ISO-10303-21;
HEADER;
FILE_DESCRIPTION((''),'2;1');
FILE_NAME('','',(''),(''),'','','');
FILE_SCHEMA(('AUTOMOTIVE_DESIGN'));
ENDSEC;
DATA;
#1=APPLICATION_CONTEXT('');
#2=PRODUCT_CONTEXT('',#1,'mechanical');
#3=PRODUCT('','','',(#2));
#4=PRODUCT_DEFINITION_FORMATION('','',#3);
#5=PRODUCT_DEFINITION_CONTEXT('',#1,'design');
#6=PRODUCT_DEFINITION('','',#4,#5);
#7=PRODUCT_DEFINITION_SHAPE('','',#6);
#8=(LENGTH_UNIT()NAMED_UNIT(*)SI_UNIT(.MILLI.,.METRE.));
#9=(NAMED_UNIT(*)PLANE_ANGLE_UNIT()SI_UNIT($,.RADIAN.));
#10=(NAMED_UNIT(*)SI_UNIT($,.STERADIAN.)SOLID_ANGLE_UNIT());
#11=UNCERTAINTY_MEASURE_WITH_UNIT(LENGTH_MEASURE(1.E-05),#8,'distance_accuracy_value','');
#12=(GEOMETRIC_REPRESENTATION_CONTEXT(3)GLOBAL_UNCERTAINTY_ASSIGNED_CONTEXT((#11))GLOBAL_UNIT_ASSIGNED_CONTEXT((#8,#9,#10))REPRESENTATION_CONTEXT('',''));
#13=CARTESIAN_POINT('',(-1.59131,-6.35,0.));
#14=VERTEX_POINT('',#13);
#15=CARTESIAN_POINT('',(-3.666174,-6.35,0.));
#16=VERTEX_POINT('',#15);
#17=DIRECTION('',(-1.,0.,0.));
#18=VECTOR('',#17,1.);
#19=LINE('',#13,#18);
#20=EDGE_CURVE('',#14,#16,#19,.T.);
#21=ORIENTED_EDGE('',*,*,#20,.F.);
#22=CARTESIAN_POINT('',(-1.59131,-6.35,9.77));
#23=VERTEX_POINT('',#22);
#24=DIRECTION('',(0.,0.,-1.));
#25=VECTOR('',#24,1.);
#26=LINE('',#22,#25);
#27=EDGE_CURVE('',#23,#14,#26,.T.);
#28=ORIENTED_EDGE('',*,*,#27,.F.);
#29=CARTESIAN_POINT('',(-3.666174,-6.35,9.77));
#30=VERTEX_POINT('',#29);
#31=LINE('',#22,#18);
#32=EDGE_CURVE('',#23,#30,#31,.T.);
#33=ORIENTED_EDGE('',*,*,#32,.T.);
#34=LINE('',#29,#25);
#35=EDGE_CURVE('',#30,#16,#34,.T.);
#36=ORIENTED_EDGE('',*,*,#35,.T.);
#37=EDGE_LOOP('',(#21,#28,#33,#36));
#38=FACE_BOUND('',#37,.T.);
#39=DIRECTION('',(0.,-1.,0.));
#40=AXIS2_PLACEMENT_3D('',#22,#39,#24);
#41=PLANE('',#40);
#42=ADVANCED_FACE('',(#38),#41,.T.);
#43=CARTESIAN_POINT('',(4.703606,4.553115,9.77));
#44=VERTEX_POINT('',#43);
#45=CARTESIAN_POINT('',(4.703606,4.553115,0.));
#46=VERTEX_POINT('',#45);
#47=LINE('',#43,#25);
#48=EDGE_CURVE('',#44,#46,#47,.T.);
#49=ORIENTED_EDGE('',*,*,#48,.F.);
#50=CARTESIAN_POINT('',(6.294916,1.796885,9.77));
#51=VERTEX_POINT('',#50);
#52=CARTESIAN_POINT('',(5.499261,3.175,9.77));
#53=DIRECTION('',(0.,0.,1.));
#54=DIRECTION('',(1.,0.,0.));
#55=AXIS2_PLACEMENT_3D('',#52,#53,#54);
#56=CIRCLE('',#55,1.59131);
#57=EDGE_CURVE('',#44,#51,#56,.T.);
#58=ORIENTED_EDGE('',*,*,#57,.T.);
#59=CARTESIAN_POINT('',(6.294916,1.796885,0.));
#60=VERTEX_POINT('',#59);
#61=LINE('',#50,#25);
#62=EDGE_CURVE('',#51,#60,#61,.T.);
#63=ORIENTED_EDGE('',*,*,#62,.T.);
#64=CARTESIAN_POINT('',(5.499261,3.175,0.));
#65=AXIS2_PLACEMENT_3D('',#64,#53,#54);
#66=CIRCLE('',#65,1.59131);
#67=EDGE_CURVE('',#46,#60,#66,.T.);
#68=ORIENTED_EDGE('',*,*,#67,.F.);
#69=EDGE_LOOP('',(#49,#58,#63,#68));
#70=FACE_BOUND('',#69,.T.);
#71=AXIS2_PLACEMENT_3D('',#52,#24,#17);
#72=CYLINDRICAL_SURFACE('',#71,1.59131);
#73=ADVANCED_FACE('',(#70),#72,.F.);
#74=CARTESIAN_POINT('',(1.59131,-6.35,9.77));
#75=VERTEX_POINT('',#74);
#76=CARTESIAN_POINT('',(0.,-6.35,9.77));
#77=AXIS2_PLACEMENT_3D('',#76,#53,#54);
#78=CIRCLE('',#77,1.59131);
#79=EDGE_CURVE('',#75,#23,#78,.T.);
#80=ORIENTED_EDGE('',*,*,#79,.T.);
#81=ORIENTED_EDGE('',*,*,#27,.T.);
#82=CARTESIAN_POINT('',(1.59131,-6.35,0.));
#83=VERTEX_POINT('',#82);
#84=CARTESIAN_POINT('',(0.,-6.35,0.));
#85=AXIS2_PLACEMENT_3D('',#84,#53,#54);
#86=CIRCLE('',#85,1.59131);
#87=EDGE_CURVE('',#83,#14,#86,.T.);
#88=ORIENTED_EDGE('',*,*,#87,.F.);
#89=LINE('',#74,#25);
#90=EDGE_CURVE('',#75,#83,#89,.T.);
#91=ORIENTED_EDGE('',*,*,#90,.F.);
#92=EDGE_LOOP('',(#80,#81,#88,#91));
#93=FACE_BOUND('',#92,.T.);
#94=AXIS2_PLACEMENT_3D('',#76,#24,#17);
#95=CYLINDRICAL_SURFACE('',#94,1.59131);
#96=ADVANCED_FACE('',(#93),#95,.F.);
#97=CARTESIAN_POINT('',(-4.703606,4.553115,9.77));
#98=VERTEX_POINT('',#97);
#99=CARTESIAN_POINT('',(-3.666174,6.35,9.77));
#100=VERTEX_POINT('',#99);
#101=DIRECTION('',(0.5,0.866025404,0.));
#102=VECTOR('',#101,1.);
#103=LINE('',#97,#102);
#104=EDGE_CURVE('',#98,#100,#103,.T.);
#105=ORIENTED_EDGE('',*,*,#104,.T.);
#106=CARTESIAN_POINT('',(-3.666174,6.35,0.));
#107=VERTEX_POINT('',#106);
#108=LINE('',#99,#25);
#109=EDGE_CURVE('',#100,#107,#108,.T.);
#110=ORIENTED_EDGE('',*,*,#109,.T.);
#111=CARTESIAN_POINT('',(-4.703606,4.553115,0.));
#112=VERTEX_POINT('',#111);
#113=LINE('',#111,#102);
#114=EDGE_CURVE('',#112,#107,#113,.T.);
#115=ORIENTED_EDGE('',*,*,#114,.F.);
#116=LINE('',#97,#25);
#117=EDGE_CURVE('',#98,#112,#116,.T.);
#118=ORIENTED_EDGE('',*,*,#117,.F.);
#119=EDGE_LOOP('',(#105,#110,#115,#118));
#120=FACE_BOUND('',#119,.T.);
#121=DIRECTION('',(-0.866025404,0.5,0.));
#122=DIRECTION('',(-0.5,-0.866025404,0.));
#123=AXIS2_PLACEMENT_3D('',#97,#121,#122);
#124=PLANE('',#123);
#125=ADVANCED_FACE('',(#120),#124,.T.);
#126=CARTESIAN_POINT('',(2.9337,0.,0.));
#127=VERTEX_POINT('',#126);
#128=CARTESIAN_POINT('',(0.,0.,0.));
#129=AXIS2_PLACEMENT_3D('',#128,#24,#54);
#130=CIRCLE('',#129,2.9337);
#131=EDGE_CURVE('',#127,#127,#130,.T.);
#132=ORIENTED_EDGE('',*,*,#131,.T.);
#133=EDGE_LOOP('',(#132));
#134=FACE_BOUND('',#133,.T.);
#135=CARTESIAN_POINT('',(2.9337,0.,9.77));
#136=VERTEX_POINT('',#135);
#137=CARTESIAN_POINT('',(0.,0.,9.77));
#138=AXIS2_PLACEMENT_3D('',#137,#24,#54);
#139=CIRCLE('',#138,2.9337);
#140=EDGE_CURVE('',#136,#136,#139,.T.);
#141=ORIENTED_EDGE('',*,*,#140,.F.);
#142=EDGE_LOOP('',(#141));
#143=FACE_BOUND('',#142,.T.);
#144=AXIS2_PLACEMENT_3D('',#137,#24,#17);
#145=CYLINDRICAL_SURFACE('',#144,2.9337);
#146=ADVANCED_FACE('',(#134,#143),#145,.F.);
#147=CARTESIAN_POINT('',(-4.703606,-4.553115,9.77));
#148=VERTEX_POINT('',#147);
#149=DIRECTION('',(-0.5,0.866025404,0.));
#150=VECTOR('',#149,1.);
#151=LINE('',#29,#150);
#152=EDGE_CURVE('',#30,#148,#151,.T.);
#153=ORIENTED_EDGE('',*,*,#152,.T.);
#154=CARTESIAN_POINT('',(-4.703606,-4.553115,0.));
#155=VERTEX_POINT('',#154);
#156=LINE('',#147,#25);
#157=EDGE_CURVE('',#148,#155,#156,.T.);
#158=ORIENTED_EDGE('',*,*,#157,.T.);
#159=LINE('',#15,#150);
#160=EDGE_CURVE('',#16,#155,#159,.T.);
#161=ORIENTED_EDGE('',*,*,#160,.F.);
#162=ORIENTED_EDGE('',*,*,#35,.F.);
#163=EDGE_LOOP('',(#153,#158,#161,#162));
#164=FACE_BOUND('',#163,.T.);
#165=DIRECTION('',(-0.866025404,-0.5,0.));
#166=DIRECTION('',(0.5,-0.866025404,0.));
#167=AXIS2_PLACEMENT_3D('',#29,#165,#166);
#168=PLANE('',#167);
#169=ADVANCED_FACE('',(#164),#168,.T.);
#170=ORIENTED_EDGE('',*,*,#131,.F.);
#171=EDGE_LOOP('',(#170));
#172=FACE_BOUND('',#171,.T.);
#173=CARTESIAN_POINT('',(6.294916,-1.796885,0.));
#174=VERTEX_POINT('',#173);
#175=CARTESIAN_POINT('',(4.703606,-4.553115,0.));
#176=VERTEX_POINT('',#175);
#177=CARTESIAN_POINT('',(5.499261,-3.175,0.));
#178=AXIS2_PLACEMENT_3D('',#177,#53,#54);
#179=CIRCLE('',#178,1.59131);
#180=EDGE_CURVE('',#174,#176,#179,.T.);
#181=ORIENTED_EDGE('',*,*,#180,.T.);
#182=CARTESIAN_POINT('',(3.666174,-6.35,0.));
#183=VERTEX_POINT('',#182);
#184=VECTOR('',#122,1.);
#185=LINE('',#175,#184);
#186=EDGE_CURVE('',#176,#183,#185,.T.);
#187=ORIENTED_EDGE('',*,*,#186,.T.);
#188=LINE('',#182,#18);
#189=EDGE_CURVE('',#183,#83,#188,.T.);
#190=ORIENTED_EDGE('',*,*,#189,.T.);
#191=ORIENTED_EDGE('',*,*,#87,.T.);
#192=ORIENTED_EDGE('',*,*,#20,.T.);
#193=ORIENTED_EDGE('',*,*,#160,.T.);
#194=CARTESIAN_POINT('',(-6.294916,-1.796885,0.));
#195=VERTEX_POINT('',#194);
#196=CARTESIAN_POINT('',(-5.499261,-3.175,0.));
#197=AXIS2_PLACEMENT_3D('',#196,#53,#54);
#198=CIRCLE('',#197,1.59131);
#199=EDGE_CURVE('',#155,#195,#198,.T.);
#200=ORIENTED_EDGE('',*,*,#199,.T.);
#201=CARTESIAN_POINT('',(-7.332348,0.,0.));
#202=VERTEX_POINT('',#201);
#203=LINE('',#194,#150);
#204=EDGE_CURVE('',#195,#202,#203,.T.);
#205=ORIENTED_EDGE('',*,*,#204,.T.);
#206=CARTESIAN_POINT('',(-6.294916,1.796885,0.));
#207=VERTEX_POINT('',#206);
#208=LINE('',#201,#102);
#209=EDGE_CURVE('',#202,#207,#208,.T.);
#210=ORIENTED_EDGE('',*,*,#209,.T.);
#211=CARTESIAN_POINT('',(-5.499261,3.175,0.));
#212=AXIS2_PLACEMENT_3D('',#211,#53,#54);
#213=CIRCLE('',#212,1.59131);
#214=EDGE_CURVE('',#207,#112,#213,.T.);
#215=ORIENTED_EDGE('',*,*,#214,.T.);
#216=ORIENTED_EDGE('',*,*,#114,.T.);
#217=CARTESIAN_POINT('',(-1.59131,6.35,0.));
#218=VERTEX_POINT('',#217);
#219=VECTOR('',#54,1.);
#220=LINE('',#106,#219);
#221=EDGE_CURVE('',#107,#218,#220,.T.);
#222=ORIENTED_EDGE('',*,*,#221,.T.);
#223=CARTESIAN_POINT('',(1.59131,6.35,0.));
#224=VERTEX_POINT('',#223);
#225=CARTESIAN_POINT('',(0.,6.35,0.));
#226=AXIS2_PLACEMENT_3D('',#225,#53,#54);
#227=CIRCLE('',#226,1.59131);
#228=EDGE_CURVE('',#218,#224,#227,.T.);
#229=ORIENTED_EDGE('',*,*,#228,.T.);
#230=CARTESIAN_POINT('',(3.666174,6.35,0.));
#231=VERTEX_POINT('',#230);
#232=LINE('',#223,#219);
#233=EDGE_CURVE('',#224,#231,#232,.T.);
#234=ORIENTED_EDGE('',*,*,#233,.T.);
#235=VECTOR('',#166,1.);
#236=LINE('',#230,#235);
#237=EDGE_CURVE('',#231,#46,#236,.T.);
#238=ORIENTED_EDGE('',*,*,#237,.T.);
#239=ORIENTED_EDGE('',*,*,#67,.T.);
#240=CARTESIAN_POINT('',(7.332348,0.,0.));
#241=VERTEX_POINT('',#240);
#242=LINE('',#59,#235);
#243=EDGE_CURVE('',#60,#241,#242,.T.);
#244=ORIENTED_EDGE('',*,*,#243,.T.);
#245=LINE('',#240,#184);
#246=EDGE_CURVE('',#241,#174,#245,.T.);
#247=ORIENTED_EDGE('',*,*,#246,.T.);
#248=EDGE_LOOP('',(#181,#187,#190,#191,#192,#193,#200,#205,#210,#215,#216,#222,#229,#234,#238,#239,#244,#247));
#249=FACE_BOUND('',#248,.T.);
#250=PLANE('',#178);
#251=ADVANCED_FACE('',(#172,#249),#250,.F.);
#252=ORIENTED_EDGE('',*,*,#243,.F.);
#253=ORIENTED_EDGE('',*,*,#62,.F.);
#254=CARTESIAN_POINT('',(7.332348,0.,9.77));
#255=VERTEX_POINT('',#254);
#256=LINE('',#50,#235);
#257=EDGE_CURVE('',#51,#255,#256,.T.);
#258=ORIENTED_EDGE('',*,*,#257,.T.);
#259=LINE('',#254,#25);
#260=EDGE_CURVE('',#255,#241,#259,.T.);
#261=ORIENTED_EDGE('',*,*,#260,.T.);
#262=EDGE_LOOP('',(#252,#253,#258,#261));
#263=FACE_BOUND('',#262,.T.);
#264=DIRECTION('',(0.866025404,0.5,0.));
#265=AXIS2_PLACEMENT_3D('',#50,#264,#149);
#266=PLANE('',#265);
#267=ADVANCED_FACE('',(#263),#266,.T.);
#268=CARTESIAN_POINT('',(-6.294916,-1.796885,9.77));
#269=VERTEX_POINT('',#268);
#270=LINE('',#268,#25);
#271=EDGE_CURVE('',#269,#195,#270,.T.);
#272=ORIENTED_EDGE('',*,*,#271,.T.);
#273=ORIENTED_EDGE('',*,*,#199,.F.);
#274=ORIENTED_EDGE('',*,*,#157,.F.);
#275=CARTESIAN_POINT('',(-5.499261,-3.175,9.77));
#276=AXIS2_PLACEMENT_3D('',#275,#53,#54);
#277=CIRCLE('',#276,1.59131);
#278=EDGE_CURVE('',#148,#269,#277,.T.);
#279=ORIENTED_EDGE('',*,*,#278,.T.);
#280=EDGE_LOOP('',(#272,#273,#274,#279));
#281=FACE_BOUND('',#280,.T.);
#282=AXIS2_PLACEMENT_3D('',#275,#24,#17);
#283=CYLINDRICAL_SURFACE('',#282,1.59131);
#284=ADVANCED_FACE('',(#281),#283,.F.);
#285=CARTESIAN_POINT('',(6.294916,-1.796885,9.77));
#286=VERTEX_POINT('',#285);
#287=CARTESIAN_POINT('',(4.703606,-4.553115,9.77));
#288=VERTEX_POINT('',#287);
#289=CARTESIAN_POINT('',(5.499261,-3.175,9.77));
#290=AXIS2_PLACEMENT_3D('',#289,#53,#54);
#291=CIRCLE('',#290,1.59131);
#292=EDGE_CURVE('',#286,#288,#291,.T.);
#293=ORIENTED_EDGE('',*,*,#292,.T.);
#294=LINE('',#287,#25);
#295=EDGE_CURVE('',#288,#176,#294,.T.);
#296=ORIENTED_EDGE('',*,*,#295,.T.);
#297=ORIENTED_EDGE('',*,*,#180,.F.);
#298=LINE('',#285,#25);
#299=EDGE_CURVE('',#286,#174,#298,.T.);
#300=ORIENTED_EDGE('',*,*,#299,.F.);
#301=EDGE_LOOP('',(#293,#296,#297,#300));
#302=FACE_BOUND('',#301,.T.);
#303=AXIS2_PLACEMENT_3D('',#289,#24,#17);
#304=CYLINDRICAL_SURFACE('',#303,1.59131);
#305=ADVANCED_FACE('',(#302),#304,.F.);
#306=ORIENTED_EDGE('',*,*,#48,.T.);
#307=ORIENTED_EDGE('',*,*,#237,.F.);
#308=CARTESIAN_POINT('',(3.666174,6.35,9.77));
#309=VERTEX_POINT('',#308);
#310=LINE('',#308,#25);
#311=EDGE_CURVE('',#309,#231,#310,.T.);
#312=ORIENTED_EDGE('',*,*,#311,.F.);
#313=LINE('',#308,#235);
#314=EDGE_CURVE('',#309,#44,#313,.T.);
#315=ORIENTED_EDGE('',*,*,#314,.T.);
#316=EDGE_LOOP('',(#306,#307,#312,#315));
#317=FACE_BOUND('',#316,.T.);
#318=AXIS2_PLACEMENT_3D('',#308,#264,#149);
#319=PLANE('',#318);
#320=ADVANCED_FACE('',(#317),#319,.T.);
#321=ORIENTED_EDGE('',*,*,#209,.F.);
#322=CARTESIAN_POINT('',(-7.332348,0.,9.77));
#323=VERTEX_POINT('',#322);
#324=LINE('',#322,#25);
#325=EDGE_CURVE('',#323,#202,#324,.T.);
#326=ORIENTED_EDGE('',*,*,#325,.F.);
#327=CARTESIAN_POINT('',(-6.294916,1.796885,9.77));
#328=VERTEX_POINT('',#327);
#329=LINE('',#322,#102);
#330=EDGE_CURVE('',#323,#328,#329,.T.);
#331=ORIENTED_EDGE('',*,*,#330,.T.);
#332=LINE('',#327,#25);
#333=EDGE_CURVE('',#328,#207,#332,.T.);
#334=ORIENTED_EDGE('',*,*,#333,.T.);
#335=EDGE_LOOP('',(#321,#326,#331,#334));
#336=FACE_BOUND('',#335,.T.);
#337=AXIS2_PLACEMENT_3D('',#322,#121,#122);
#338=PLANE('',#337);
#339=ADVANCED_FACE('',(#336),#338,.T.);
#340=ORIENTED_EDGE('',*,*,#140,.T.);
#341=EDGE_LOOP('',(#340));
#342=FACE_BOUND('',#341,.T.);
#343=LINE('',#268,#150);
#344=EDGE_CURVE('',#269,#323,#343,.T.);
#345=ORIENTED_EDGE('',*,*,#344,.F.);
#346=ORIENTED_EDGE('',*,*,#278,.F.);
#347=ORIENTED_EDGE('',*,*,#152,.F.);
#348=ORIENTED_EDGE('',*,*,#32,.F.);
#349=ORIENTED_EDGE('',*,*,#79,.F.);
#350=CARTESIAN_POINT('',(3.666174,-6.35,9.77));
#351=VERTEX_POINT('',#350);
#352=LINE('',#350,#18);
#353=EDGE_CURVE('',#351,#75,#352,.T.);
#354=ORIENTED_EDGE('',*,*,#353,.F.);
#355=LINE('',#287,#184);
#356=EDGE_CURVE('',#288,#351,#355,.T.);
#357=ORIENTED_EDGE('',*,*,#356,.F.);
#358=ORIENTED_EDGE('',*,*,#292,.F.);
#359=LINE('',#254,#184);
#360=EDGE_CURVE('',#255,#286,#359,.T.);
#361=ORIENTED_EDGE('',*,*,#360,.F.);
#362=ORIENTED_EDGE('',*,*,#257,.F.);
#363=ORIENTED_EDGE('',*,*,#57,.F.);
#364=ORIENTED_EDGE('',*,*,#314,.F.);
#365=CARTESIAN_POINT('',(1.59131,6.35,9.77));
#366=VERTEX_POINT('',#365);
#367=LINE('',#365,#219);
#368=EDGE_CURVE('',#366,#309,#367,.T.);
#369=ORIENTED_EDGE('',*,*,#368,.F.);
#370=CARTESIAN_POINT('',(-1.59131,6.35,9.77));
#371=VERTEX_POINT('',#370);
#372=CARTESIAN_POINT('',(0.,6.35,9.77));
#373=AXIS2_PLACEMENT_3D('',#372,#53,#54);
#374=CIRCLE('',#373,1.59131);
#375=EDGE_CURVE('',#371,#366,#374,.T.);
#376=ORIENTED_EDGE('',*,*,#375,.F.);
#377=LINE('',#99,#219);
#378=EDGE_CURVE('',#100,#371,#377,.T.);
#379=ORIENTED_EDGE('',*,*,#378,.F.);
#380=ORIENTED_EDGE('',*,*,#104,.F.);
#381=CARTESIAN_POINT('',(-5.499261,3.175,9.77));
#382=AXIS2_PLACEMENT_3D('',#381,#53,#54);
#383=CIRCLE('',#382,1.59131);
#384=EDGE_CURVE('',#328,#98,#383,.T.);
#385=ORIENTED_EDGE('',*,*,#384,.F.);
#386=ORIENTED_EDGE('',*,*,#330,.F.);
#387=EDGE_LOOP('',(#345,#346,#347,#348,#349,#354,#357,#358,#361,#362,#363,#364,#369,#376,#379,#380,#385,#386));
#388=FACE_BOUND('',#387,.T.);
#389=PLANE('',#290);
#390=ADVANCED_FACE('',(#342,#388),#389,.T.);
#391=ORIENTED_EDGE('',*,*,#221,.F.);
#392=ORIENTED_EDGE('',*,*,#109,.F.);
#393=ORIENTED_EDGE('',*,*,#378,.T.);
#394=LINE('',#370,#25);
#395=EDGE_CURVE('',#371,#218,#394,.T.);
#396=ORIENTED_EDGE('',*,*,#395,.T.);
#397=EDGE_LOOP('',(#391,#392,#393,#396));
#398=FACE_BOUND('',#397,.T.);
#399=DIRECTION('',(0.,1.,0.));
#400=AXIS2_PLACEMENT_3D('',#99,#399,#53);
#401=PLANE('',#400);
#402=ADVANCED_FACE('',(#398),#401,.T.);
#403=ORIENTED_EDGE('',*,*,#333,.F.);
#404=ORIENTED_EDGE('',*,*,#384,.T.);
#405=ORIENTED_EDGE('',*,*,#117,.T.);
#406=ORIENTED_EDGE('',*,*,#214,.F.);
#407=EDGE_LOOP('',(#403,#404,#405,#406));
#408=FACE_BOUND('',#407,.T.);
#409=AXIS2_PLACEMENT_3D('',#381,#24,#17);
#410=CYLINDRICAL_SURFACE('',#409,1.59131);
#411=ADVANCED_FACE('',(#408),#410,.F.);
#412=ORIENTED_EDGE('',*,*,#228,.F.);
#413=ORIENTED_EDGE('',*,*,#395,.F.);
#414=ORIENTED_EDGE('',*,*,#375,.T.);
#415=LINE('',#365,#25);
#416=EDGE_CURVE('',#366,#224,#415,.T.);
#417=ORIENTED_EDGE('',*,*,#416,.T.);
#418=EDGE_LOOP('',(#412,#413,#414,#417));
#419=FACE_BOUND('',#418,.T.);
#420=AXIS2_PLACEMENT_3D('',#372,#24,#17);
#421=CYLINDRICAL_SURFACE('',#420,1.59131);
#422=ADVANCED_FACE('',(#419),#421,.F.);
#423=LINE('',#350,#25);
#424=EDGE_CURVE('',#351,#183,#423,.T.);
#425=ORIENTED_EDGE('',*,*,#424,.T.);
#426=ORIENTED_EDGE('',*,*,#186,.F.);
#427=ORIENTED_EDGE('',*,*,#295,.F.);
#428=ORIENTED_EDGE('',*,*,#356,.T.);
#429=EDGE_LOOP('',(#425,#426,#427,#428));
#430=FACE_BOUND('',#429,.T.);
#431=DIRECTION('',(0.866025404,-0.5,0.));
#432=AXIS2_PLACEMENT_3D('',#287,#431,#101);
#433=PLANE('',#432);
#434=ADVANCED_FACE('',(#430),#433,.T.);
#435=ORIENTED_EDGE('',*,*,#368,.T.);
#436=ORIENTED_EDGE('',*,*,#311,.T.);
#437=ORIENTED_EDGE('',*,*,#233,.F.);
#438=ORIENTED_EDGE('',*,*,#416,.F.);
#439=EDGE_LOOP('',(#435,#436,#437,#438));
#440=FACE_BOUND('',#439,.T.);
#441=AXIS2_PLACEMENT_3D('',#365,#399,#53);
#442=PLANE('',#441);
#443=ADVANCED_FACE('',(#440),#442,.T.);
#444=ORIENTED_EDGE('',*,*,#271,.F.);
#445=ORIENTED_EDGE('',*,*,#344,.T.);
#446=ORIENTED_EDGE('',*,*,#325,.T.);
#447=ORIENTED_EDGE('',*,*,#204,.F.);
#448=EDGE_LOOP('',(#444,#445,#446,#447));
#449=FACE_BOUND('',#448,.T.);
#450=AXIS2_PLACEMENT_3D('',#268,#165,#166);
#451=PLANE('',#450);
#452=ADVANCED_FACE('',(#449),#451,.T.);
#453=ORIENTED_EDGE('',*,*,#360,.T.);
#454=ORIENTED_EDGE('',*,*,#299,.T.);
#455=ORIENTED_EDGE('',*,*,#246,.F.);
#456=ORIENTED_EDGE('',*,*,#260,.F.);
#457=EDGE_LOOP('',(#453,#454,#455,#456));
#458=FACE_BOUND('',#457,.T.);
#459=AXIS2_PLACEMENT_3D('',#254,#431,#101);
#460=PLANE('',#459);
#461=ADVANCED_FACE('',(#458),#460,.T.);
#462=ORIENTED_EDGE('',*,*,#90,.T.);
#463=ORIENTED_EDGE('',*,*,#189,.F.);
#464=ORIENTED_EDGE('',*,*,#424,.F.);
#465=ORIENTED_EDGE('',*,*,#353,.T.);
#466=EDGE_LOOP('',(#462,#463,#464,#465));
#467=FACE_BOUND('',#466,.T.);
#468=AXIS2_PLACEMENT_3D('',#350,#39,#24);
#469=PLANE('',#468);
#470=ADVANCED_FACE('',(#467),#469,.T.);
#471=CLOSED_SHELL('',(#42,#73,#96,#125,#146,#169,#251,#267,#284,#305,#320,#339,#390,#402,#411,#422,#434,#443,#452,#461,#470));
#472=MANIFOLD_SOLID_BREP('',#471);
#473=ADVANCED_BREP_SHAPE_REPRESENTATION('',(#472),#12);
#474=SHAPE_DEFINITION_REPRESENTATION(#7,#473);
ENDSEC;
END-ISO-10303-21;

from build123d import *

# Parameters (mm, degrees)
SKETCH1_R           = 2.9337
BOSS_EXTRUDE1_DEPTH = 9.77


with BuildPart() as part:
    # Sketch1 → Boss-Extrude1 (new body)
    with BuildSketch(Plane(origin=(0, 0, 0), x_dir=(-1, 0, 0), z_dir=(0, 0, -1))):
        with BuildLine():
            Line((-4.703606334, -4.55311485), (-3.666174209, -6.35))
            Line((-3.666174209, -6.35), (-1.591309959, -6.35))
            ThreePointArc((-1.591309959, -6.35), (0, -4.758690041), (1.591309959, -6.35))
            Line((1.591309959, -6.35), (3.666174209, -6.35))
            Line((3.666174209, -6.35), (4.703606334, -4.55311485))
            ThreePointArc((4.703606334, -4.55311485), (4.121146464, -2.37934502), (6.294916294, -1.79688515))
            Line((6.294916294, -1.79688515), (7.332348419, 0))
            Line((7.332348419, 0), (6.294916294, 1.79688515))
            ThreePointArc((6.294916294, 1.79688515), (4.121146464, 2.37934502), (4.703606334, 4.55311485))
            Line((4.703606334, 4.55311485), (3.666174209, 6.35))
            Line((3.666174209, 6.35), (1.591309959, 6.35))
            ThreePointArc((1.591309959, 6.35), (0, 4.758690041), (-1.591309959, 6.35))
            Line((-1.591309959, 6.35), (-3.666174209, 6.35))
            Line((-3.666174209, 6.35), (-4.703606334, 4.55311485))
            ThreePointArc((-4.703606334, 4.55311485), (-4.121146464, 2.37934502), (-6.294916294, 1.79688515))
            Line((-6.294916294, 1.79688515), (-7.332348419, 0))
            Line((-7.332348419, 0), (-6.294916294, -1.79688515))
            ThreePointArc((-6.294916294, -1.79688515), (-4.121146464, -2.37934502), (-4.703606334, -4.55311485))
        make_face()
        Circle(SKETCH1_R, mode=Mode.SUBTRACT)
    extrude(amount=-BOSS_EXTRUDE1_DEPTH)


solid = part.part
